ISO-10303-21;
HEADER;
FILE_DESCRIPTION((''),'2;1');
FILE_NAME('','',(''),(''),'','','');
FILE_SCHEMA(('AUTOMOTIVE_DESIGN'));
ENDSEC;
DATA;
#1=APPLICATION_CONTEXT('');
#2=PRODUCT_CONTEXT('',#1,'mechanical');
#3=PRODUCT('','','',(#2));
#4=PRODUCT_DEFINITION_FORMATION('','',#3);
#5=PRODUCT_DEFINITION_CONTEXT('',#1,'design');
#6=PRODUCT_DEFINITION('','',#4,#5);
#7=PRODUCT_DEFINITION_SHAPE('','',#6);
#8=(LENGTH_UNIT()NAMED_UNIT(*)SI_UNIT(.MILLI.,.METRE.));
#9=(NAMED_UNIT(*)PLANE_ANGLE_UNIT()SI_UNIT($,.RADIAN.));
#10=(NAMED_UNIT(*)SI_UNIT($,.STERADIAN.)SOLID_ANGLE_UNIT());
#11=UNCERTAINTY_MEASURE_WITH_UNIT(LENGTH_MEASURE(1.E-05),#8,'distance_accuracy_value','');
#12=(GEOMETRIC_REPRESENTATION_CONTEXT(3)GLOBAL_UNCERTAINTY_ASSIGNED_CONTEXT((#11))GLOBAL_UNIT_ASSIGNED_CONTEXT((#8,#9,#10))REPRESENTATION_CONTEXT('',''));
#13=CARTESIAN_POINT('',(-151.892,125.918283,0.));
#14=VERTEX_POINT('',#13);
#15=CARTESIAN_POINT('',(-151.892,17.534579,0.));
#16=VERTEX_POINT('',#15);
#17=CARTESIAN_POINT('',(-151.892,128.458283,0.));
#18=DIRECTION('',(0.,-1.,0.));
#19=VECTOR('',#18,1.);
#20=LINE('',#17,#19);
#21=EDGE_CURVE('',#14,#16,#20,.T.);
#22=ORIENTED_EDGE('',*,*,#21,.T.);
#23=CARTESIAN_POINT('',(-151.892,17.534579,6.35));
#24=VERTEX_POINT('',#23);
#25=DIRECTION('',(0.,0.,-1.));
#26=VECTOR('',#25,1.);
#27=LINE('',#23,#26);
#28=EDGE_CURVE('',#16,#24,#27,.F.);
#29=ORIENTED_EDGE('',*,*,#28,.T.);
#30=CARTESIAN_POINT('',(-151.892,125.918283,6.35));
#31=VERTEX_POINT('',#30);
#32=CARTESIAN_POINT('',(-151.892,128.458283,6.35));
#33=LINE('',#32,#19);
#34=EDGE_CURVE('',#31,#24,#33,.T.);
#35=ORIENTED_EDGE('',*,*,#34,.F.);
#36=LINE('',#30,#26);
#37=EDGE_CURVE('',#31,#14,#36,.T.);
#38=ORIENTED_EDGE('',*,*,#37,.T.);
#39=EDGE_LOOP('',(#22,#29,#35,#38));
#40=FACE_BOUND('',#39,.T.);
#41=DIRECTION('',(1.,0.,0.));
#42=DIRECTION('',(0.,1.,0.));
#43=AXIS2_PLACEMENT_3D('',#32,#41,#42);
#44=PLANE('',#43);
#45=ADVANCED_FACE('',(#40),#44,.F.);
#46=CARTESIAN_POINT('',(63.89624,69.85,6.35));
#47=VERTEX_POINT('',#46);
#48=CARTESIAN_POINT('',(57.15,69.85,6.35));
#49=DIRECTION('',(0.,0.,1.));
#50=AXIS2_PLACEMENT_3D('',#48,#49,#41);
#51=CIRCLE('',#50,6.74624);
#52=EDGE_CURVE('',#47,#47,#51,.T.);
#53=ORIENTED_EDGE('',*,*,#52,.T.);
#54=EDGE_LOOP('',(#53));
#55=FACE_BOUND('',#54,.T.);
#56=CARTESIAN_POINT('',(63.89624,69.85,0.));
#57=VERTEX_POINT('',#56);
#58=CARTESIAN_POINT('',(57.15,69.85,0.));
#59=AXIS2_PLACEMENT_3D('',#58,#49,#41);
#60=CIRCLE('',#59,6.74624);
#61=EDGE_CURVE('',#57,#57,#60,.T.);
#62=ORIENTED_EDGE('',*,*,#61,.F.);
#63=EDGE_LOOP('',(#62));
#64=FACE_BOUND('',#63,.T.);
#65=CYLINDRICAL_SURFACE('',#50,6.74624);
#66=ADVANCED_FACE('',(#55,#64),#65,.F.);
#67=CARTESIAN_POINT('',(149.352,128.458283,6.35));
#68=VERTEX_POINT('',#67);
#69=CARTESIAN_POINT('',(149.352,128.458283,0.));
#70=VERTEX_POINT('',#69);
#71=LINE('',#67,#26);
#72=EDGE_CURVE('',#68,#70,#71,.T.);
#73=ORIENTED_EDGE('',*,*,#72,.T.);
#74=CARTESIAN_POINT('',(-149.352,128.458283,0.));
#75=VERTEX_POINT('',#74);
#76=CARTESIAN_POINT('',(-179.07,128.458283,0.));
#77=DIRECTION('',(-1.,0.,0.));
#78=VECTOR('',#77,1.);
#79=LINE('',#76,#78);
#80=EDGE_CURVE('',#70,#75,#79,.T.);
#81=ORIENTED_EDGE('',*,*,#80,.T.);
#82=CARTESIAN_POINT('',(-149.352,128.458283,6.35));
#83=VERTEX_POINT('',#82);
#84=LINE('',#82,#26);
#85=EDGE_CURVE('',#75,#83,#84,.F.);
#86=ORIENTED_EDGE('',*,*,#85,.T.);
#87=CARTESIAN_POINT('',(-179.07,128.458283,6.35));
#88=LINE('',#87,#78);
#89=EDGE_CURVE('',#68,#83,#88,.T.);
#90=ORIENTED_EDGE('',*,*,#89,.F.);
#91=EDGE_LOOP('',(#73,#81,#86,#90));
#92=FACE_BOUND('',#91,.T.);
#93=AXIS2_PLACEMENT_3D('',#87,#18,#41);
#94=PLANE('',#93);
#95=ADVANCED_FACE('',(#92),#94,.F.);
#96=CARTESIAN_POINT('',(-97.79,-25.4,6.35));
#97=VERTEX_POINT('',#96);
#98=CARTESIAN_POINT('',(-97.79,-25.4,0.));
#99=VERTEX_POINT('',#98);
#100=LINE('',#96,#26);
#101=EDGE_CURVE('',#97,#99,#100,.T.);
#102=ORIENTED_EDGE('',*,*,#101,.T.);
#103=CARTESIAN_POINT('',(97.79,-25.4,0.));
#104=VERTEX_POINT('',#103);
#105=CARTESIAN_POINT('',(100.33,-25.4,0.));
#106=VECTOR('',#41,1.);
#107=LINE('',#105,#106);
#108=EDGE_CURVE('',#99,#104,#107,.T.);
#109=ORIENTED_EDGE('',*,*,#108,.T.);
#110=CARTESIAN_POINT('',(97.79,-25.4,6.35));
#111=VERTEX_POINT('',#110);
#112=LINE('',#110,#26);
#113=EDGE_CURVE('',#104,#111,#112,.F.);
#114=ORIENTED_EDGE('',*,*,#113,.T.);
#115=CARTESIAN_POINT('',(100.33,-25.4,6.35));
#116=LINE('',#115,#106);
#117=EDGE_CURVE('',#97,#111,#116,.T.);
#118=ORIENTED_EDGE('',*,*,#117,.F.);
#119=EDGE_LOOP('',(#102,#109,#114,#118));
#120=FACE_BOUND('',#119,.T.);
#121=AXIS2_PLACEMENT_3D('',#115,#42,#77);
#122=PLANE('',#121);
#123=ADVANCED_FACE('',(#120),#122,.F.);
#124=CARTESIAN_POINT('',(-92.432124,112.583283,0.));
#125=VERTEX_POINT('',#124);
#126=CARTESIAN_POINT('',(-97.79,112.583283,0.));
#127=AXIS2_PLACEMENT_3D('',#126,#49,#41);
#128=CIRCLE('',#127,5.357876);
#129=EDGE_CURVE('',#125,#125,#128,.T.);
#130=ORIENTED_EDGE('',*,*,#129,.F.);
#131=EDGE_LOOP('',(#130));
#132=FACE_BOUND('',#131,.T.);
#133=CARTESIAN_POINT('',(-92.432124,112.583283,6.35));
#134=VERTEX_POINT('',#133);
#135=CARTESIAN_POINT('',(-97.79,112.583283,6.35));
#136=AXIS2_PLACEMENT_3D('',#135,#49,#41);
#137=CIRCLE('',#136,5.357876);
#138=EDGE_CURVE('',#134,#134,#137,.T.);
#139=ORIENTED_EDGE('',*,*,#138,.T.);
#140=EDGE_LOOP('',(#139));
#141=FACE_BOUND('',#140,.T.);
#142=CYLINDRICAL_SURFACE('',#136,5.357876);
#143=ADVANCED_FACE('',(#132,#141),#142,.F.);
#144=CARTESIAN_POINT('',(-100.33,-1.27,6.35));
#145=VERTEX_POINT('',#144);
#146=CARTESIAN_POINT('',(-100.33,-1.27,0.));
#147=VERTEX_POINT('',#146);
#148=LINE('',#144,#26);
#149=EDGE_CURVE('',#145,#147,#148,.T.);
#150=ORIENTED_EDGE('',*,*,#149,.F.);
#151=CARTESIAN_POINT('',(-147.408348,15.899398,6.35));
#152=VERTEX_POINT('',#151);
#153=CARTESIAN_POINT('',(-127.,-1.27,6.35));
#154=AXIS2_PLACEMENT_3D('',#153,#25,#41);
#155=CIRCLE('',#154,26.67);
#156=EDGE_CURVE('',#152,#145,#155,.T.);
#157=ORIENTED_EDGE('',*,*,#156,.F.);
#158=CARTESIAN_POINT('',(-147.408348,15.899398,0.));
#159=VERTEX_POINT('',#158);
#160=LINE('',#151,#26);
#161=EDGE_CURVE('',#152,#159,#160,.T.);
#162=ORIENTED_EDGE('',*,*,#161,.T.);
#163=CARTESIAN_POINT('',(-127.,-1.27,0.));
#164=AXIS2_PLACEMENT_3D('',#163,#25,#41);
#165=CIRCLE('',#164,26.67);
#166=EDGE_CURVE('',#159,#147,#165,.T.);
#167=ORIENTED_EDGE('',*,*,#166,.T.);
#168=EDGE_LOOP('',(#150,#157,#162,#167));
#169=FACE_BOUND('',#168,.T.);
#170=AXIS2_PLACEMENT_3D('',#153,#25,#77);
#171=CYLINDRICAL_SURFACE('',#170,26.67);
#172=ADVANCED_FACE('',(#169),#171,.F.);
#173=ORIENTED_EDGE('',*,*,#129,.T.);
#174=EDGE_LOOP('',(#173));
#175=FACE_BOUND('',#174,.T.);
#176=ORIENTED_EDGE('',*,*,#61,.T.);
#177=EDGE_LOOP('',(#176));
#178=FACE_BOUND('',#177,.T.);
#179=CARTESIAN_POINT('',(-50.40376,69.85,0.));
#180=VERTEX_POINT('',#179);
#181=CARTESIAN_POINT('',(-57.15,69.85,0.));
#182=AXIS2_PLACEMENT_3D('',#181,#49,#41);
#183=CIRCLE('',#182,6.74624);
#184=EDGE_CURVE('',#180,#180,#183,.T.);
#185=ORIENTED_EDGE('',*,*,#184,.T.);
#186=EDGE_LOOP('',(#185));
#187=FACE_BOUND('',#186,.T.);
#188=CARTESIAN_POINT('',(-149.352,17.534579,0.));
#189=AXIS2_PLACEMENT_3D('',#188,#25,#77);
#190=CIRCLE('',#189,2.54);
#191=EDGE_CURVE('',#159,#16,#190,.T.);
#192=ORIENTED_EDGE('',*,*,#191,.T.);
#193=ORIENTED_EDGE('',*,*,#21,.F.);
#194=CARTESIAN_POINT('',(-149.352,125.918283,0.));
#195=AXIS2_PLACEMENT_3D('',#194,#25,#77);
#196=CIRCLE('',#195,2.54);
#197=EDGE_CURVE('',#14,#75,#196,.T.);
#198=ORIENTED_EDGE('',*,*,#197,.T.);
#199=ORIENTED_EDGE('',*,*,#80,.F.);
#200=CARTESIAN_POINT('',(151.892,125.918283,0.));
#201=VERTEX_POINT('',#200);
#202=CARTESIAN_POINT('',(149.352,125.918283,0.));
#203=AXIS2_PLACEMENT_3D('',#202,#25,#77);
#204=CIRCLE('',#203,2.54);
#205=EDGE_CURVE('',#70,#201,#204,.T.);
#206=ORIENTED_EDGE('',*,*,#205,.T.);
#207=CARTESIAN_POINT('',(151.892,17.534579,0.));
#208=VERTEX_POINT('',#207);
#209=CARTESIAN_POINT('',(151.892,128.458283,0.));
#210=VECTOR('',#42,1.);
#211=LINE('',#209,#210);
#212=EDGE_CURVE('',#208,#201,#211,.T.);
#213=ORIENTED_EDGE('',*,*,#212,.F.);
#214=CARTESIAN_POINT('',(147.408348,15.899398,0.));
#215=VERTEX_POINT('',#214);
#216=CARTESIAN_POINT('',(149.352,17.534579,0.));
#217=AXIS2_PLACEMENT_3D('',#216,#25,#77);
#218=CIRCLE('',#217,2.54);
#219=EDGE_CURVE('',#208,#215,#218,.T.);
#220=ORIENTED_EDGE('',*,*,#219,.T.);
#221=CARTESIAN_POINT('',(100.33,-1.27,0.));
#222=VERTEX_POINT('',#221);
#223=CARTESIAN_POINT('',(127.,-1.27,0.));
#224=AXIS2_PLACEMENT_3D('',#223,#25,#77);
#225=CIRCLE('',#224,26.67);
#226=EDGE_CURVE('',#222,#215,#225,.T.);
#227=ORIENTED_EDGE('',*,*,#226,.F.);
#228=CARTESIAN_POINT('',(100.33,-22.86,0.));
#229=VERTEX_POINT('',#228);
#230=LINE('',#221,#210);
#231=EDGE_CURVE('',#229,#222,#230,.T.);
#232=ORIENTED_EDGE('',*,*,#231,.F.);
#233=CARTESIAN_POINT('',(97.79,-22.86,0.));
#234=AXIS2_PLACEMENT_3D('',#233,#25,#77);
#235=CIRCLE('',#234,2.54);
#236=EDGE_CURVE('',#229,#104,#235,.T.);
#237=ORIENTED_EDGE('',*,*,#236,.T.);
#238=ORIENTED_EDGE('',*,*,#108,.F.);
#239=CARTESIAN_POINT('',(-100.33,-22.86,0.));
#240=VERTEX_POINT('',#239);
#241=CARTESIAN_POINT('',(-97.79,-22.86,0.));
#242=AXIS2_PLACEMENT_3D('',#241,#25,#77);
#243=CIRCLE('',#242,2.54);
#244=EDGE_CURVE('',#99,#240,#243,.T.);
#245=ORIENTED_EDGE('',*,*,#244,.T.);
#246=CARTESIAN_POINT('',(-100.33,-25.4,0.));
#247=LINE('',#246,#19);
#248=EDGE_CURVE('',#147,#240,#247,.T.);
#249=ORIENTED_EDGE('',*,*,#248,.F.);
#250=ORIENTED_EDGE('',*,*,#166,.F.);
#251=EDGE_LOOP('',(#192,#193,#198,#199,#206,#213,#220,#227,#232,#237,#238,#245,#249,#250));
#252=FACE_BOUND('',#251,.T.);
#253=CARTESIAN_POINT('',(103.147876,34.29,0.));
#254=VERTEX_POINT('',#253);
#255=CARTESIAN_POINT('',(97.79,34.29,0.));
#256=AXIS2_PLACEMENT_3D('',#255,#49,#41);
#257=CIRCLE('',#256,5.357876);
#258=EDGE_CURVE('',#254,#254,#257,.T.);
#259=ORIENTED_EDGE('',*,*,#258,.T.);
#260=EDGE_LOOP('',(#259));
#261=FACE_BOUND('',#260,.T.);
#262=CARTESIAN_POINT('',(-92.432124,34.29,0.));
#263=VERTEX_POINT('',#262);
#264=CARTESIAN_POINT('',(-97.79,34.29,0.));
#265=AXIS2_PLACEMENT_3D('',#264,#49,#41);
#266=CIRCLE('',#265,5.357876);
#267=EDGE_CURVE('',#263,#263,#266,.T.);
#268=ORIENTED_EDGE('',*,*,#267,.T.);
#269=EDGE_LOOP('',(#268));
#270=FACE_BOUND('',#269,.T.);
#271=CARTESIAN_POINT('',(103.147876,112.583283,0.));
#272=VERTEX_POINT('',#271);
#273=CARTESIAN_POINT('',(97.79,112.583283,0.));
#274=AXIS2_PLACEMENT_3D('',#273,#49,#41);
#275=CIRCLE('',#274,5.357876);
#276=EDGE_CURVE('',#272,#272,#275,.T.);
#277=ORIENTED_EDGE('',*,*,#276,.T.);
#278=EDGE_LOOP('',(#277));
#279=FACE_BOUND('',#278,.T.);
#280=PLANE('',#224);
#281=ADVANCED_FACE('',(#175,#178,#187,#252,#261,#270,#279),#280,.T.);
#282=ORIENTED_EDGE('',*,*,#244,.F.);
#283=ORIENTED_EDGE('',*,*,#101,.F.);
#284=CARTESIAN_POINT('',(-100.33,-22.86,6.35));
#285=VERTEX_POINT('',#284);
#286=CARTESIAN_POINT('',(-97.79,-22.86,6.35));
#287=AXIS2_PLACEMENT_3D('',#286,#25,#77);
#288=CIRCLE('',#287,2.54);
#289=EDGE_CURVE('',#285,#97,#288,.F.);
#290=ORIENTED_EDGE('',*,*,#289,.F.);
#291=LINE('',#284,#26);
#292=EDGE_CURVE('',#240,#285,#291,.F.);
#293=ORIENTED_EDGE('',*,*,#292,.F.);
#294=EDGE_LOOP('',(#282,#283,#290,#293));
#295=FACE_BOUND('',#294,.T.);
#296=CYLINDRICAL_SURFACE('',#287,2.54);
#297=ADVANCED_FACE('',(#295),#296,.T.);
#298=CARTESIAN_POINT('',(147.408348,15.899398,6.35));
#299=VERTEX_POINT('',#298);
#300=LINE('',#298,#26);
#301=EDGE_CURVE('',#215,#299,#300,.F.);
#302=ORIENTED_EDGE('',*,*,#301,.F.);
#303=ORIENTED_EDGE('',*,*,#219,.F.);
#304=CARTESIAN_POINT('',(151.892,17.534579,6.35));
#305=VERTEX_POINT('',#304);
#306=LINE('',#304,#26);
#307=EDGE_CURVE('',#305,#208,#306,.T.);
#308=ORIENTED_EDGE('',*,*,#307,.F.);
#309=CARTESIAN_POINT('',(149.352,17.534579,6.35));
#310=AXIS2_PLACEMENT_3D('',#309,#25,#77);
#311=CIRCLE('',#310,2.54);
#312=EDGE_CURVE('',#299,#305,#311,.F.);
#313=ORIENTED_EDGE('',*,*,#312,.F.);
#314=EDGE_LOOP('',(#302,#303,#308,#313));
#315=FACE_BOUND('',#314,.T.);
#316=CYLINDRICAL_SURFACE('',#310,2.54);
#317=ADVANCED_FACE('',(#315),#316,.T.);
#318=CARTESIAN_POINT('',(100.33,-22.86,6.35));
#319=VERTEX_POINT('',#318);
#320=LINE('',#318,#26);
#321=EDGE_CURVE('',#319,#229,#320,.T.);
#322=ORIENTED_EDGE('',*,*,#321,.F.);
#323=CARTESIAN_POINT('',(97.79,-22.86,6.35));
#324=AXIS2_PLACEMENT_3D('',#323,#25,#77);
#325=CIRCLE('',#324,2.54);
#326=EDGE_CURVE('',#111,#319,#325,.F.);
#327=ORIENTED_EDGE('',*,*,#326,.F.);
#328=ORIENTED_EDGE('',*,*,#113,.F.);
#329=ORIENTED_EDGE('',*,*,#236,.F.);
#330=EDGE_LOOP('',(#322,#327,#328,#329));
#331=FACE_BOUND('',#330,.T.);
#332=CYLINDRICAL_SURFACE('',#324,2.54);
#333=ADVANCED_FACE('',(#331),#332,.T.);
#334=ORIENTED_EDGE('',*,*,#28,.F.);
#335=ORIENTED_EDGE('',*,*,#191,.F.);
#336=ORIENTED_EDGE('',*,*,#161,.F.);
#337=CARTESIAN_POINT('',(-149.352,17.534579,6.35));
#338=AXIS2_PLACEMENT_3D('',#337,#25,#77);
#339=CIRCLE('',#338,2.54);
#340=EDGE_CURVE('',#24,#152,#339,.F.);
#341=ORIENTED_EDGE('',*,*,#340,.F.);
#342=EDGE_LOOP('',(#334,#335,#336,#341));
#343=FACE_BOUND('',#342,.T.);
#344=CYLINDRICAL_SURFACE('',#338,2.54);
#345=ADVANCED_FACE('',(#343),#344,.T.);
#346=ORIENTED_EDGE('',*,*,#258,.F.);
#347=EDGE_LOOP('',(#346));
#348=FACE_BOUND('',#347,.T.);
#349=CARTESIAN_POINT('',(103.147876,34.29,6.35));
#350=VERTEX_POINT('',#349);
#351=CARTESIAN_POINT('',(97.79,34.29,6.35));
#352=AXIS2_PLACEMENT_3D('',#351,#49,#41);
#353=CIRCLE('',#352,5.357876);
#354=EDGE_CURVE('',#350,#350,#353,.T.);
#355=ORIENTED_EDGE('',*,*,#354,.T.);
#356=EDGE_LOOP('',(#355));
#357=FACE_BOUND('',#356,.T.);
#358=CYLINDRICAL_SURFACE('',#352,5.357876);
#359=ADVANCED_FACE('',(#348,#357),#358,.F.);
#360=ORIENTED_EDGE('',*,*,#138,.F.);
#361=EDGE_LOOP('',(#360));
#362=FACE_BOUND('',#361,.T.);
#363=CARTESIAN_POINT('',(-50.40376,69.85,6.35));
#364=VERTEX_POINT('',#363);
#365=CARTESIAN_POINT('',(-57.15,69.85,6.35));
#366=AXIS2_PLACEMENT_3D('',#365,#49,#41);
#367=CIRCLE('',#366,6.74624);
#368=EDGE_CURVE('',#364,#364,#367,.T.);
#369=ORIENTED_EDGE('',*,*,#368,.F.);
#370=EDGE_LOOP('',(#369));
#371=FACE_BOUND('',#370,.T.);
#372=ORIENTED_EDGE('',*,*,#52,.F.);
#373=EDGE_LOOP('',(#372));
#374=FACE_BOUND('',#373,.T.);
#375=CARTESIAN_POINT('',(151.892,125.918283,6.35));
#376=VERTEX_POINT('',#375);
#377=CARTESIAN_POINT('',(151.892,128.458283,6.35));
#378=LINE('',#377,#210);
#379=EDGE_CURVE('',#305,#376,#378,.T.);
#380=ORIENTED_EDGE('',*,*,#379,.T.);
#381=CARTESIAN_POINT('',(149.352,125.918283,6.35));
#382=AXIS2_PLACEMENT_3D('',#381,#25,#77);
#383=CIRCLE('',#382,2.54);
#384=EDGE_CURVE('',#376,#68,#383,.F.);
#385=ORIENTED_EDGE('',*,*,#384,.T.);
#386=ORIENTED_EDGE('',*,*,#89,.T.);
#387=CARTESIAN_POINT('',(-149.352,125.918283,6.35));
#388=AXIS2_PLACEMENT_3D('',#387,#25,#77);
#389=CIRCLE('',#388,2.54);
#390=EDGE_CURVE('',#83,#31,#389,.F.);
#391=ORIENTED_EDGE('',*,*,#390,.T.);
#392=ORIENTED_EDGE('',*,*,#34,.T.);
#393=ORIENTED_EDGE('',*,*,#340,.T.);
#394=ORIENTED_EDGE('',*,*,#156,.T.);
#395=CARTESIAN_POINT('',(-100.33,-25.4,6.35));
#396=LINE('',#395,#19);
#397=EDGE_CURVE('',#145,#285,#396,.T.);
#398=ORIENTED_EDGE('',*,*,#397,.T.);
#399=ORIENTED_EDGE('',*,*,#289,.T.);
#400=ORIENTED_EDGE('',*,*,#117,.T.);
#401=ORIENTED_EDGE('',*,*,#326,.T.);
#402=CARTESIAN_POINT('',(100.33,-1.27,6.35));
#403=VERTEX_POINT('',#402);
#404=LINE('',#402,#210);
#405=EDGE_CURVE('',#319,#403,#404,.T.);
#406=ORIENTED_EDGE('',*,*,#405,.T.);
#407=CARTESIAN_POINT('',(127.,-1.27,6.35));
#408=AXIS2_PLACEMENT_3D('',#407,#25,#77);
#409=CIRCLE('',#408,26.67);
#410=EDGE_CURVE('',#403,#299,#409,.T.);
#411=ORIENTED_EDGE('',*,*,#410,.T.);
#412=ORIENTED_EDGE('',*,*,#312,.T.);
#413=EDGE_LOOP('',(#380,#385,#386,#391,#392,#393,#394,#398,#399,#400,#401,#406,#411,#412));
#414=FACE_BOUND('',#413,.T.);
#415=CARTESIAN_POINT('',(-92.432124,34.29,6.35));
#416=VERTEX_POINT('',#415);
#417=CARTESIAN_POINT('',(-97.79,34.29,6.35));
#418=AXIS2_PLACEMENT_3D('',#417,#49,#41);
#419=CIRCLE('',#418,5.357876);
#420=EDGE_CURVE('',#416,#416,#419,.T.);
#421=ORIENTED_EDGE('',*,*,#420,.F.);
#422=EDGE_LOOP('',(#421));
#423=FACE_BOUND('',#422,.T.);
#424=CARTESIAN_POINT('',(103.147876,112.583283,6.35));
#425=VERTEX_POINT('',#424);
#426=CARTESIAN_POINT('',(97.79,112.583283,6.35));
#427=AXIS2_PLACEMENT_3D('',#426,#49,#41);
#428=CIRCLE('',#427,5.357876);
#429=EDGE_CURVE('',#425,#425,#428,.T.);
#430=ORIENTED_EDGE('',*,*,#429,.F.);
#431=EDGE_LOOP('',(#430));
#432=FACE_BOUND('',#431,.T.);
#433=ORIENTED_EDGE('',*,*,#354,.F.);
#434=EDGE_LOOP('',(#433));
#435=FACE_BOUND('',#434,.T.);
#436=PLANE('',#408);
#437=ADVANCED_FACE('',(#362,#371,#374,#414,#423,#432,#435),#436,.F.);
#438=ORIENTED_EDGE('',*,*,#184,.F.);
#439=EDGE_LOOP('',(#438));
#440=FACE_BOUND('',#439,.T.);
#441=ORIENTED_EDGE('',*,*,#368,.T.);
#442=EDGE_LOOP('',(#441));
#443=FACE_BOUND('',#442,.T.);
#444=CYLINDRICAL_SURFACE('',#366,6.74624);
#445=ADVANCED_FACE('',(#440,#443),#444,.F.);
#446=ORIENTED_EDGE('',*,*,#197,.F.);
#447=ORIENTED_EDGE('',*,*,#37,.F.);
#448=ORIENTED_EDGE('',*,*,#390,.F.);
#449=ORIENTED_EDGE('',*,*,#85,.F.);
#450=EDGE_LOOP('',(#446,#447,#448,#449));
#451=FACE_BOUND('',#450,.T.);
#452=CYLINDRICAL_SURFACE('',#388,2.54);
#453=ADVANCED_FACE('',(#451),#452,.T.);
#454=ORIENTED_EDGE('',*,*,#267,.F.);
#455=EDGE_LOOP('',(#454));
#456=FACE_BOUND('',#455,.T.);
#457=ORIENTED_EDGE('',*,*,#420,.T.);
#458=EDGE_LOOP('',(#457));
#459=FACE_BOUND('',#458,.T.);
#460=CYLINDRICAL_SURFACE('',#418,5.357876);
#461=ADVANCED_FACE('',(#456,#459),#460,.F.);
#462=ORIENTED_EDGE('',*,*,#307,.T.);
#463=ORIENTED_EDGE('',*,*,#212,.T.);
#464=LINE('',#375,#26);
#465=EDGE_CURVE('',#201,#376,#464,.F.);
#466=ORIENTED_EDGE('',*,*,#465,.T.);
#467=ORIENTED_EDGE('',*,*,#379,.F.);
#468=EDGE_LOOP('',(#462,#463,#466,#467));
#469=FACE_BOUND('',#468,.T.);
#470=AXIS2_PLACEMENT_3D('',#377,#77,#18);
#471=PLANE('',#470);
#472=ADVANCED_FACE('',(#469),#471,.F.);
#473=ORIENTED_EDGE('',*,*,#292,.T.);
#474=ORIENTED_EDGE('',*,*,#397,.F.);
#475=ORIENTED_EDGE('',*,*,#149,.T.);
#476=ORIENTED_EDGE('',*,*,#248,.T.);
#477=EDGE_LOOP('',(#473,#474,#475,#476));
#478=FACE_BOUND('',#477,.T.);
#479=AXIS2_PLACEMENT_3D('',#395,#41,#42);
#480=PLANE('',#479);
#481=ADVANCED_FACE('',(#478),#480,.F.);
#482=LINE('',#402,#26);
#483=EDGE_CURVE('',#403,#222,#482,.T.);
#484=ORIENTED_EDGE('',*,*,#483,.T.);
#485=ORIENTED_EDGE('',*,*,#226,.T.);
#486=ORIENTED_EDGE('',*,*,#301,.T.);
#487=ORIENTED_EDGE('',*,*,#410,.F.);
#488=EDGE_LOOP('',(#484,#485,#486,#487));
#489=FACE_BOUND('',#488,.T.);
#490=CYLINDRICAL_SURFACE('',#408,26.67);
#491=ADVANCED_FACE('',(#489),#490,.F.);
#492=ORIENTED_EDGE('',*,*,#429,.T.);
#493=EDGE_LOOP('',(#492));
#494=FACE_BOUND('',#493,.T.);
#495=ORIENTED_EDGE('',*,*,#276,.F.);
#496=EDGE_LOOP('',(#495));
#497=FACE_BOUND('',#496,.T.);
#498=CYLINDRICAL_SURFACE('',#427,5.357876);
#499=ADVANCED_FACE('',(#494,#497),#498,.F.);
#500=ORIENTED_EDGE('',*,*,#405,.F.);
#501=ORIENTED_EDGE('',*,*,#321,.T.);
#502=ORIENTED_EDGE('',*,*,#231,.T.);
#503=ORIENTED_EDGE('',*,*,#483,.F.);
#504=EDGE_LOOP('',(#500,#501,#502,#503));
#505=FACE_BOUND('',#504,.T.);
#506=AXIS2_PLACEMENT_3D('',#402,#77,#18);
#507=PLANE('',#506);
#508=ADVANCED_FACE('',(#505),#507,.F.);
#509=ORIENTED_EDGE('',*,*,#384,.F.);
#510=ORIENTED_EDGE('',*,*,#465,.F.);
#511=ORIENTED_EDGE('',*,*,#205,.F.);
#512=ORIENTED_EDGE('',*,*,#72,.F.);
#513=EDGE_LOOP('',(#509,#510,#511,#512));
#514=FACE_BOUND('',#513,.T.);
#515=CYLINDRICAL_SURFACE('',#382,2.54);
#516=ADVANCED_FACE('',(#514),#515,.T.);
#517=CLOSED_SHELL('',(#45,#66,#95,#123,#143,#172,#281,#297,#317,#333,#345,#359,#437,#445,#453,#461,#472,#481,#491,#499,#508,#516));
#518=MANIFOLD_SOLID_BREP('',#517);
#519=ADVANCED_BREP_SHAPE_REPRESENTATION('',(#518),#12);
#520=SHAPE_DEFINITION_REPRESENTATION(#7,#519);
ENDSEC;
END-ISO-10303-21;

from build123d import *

# Parameters (mm, degrees)
BOSS_EXTRUDE1_DEPTH              = 6.35
CUT_EXTRUDE1_DEPTH               = 221.472033966
F_27_64_0_42188_DIAMETER_HOLE1_D = 10.715752
FILLET1_R                        = 2.54
F_1_2_CLEARANCE_HOLE1_D          = 13.49248


with BuildPart() as part:
    # Sketch1 → Boss-Extrude1 (new body)
    with BuildSketch(Plane.XY):
        with BuildLine():
            Line((-179.07, -25.4), (-179.07, 128.45828257))
            Line((-179.07, 128.45828257), (179.07, 128.45828257))
            Line((179.07, 128.45828257), (179.07, -25.4))
            Line((179.07, -25.4), (153.67, -25.4))
            Line((153.67, -25.4), (153.67, -1.27))
            ThreePointArc((153.67, -1.27), (127, 25.4), (100.33, -1.27))
            Line((100.33, -1.27), (100.33, -25.4))
            Line((100.33, -25.4), (-100.33, -25.4))
            Line((-100.33, -25.4), (-100.33, -1.27))
            ThreePointArc((-100.33, -1.27), (-127, 25.4), (-153.67, -1.27))
            Line((-153.67, -1.27), (-153.67, -25.4))
            Line((-153.67, -25.4), (-179.07, -25.4))
        make_face()
    extrude(amount=BOSS_EXTRUDE1_DEPTH)

    # Sketch7 → Cut-Extrude1 (cut, through all)
    with BuildSketch(Plane(origin=(0, 0, 0), x_dir=(-1, 0, 0), z_dir=(0, 0, -1))):
        with BuildLine():
            Line((-151.892, 128.45828257), (-151.892, 8.304823027))
            ThreePointArc((-151.892, 8.304823027), (-153.22173278, 3.599253536), (-153.67, -1.27))
            Line((-153.67, -1.27), (-153.67, -25.4))
            Line((-153.67, -25.4), (-179.07, -25.4))
            Line((-179.07, -25.4), (-179.07, 128.45828257))
            Line((-179.07, 128.45828257), (-151.892, 128.45828257))
        make_face()
        with BuildLine():
            Line((153.67, -25.4), (153.67, -1.27))
            ThreePointArc((153.67, -1.27), (153.22173278, 3.599253536), (151.892, 8.304823027))
            Line((151.892, 8.304823027), (151.892, 128.45828257))
            Line((151.892, 128.45828257), (179.07, 128.45828257))
            Line((179.07, 128.45828257), (179.07, -25.4))
            Line((179.07, -25.4), (153.67, -25.4))
        make_face()
    extrude(amount=-CUT_EXTRUDE1_DEPTH, mode=Mode.SUBTRACT)

    # 27/64 (0.42188) Diameter Hole1 (through all)
    with Locations(Plane.XY.offset(6.35)):
        with Locations((-97.79, 34.29), (-97.79, 112.58328257), (97.79, 34.29), (97.79, 112.58328257)):
            Hole(F_27_64_0_42188_DIAMETER_HOLE1_D / 2)

    # Fillet1
    fillet1_edges = [part.edges().sort_by_distance(p)[0] for p in [
        (100.33, -25.4, 3.175),
        (-100.33, -25.4, 3.175),
        (151.892, 128.45828257, 3.175),
        (151.892, 8.304823027, 3.175),
        (-151.892, 8.304823027, 3.175),
        (-151.892, 128.45828257, 3.175),
    ]]
    fillet(fillet1_edges, radius=FILLET1_R)

    # 1/2 Clearance Hole1 (through all)
    with Locations(Plane.XY.offset(6.35)):
        with Locations((57.15, 69.85), (-57.15, 69.85)):
            Hole(F_1_2_CLEARANCE_HOLE1_D / 2)


solid = part.part
